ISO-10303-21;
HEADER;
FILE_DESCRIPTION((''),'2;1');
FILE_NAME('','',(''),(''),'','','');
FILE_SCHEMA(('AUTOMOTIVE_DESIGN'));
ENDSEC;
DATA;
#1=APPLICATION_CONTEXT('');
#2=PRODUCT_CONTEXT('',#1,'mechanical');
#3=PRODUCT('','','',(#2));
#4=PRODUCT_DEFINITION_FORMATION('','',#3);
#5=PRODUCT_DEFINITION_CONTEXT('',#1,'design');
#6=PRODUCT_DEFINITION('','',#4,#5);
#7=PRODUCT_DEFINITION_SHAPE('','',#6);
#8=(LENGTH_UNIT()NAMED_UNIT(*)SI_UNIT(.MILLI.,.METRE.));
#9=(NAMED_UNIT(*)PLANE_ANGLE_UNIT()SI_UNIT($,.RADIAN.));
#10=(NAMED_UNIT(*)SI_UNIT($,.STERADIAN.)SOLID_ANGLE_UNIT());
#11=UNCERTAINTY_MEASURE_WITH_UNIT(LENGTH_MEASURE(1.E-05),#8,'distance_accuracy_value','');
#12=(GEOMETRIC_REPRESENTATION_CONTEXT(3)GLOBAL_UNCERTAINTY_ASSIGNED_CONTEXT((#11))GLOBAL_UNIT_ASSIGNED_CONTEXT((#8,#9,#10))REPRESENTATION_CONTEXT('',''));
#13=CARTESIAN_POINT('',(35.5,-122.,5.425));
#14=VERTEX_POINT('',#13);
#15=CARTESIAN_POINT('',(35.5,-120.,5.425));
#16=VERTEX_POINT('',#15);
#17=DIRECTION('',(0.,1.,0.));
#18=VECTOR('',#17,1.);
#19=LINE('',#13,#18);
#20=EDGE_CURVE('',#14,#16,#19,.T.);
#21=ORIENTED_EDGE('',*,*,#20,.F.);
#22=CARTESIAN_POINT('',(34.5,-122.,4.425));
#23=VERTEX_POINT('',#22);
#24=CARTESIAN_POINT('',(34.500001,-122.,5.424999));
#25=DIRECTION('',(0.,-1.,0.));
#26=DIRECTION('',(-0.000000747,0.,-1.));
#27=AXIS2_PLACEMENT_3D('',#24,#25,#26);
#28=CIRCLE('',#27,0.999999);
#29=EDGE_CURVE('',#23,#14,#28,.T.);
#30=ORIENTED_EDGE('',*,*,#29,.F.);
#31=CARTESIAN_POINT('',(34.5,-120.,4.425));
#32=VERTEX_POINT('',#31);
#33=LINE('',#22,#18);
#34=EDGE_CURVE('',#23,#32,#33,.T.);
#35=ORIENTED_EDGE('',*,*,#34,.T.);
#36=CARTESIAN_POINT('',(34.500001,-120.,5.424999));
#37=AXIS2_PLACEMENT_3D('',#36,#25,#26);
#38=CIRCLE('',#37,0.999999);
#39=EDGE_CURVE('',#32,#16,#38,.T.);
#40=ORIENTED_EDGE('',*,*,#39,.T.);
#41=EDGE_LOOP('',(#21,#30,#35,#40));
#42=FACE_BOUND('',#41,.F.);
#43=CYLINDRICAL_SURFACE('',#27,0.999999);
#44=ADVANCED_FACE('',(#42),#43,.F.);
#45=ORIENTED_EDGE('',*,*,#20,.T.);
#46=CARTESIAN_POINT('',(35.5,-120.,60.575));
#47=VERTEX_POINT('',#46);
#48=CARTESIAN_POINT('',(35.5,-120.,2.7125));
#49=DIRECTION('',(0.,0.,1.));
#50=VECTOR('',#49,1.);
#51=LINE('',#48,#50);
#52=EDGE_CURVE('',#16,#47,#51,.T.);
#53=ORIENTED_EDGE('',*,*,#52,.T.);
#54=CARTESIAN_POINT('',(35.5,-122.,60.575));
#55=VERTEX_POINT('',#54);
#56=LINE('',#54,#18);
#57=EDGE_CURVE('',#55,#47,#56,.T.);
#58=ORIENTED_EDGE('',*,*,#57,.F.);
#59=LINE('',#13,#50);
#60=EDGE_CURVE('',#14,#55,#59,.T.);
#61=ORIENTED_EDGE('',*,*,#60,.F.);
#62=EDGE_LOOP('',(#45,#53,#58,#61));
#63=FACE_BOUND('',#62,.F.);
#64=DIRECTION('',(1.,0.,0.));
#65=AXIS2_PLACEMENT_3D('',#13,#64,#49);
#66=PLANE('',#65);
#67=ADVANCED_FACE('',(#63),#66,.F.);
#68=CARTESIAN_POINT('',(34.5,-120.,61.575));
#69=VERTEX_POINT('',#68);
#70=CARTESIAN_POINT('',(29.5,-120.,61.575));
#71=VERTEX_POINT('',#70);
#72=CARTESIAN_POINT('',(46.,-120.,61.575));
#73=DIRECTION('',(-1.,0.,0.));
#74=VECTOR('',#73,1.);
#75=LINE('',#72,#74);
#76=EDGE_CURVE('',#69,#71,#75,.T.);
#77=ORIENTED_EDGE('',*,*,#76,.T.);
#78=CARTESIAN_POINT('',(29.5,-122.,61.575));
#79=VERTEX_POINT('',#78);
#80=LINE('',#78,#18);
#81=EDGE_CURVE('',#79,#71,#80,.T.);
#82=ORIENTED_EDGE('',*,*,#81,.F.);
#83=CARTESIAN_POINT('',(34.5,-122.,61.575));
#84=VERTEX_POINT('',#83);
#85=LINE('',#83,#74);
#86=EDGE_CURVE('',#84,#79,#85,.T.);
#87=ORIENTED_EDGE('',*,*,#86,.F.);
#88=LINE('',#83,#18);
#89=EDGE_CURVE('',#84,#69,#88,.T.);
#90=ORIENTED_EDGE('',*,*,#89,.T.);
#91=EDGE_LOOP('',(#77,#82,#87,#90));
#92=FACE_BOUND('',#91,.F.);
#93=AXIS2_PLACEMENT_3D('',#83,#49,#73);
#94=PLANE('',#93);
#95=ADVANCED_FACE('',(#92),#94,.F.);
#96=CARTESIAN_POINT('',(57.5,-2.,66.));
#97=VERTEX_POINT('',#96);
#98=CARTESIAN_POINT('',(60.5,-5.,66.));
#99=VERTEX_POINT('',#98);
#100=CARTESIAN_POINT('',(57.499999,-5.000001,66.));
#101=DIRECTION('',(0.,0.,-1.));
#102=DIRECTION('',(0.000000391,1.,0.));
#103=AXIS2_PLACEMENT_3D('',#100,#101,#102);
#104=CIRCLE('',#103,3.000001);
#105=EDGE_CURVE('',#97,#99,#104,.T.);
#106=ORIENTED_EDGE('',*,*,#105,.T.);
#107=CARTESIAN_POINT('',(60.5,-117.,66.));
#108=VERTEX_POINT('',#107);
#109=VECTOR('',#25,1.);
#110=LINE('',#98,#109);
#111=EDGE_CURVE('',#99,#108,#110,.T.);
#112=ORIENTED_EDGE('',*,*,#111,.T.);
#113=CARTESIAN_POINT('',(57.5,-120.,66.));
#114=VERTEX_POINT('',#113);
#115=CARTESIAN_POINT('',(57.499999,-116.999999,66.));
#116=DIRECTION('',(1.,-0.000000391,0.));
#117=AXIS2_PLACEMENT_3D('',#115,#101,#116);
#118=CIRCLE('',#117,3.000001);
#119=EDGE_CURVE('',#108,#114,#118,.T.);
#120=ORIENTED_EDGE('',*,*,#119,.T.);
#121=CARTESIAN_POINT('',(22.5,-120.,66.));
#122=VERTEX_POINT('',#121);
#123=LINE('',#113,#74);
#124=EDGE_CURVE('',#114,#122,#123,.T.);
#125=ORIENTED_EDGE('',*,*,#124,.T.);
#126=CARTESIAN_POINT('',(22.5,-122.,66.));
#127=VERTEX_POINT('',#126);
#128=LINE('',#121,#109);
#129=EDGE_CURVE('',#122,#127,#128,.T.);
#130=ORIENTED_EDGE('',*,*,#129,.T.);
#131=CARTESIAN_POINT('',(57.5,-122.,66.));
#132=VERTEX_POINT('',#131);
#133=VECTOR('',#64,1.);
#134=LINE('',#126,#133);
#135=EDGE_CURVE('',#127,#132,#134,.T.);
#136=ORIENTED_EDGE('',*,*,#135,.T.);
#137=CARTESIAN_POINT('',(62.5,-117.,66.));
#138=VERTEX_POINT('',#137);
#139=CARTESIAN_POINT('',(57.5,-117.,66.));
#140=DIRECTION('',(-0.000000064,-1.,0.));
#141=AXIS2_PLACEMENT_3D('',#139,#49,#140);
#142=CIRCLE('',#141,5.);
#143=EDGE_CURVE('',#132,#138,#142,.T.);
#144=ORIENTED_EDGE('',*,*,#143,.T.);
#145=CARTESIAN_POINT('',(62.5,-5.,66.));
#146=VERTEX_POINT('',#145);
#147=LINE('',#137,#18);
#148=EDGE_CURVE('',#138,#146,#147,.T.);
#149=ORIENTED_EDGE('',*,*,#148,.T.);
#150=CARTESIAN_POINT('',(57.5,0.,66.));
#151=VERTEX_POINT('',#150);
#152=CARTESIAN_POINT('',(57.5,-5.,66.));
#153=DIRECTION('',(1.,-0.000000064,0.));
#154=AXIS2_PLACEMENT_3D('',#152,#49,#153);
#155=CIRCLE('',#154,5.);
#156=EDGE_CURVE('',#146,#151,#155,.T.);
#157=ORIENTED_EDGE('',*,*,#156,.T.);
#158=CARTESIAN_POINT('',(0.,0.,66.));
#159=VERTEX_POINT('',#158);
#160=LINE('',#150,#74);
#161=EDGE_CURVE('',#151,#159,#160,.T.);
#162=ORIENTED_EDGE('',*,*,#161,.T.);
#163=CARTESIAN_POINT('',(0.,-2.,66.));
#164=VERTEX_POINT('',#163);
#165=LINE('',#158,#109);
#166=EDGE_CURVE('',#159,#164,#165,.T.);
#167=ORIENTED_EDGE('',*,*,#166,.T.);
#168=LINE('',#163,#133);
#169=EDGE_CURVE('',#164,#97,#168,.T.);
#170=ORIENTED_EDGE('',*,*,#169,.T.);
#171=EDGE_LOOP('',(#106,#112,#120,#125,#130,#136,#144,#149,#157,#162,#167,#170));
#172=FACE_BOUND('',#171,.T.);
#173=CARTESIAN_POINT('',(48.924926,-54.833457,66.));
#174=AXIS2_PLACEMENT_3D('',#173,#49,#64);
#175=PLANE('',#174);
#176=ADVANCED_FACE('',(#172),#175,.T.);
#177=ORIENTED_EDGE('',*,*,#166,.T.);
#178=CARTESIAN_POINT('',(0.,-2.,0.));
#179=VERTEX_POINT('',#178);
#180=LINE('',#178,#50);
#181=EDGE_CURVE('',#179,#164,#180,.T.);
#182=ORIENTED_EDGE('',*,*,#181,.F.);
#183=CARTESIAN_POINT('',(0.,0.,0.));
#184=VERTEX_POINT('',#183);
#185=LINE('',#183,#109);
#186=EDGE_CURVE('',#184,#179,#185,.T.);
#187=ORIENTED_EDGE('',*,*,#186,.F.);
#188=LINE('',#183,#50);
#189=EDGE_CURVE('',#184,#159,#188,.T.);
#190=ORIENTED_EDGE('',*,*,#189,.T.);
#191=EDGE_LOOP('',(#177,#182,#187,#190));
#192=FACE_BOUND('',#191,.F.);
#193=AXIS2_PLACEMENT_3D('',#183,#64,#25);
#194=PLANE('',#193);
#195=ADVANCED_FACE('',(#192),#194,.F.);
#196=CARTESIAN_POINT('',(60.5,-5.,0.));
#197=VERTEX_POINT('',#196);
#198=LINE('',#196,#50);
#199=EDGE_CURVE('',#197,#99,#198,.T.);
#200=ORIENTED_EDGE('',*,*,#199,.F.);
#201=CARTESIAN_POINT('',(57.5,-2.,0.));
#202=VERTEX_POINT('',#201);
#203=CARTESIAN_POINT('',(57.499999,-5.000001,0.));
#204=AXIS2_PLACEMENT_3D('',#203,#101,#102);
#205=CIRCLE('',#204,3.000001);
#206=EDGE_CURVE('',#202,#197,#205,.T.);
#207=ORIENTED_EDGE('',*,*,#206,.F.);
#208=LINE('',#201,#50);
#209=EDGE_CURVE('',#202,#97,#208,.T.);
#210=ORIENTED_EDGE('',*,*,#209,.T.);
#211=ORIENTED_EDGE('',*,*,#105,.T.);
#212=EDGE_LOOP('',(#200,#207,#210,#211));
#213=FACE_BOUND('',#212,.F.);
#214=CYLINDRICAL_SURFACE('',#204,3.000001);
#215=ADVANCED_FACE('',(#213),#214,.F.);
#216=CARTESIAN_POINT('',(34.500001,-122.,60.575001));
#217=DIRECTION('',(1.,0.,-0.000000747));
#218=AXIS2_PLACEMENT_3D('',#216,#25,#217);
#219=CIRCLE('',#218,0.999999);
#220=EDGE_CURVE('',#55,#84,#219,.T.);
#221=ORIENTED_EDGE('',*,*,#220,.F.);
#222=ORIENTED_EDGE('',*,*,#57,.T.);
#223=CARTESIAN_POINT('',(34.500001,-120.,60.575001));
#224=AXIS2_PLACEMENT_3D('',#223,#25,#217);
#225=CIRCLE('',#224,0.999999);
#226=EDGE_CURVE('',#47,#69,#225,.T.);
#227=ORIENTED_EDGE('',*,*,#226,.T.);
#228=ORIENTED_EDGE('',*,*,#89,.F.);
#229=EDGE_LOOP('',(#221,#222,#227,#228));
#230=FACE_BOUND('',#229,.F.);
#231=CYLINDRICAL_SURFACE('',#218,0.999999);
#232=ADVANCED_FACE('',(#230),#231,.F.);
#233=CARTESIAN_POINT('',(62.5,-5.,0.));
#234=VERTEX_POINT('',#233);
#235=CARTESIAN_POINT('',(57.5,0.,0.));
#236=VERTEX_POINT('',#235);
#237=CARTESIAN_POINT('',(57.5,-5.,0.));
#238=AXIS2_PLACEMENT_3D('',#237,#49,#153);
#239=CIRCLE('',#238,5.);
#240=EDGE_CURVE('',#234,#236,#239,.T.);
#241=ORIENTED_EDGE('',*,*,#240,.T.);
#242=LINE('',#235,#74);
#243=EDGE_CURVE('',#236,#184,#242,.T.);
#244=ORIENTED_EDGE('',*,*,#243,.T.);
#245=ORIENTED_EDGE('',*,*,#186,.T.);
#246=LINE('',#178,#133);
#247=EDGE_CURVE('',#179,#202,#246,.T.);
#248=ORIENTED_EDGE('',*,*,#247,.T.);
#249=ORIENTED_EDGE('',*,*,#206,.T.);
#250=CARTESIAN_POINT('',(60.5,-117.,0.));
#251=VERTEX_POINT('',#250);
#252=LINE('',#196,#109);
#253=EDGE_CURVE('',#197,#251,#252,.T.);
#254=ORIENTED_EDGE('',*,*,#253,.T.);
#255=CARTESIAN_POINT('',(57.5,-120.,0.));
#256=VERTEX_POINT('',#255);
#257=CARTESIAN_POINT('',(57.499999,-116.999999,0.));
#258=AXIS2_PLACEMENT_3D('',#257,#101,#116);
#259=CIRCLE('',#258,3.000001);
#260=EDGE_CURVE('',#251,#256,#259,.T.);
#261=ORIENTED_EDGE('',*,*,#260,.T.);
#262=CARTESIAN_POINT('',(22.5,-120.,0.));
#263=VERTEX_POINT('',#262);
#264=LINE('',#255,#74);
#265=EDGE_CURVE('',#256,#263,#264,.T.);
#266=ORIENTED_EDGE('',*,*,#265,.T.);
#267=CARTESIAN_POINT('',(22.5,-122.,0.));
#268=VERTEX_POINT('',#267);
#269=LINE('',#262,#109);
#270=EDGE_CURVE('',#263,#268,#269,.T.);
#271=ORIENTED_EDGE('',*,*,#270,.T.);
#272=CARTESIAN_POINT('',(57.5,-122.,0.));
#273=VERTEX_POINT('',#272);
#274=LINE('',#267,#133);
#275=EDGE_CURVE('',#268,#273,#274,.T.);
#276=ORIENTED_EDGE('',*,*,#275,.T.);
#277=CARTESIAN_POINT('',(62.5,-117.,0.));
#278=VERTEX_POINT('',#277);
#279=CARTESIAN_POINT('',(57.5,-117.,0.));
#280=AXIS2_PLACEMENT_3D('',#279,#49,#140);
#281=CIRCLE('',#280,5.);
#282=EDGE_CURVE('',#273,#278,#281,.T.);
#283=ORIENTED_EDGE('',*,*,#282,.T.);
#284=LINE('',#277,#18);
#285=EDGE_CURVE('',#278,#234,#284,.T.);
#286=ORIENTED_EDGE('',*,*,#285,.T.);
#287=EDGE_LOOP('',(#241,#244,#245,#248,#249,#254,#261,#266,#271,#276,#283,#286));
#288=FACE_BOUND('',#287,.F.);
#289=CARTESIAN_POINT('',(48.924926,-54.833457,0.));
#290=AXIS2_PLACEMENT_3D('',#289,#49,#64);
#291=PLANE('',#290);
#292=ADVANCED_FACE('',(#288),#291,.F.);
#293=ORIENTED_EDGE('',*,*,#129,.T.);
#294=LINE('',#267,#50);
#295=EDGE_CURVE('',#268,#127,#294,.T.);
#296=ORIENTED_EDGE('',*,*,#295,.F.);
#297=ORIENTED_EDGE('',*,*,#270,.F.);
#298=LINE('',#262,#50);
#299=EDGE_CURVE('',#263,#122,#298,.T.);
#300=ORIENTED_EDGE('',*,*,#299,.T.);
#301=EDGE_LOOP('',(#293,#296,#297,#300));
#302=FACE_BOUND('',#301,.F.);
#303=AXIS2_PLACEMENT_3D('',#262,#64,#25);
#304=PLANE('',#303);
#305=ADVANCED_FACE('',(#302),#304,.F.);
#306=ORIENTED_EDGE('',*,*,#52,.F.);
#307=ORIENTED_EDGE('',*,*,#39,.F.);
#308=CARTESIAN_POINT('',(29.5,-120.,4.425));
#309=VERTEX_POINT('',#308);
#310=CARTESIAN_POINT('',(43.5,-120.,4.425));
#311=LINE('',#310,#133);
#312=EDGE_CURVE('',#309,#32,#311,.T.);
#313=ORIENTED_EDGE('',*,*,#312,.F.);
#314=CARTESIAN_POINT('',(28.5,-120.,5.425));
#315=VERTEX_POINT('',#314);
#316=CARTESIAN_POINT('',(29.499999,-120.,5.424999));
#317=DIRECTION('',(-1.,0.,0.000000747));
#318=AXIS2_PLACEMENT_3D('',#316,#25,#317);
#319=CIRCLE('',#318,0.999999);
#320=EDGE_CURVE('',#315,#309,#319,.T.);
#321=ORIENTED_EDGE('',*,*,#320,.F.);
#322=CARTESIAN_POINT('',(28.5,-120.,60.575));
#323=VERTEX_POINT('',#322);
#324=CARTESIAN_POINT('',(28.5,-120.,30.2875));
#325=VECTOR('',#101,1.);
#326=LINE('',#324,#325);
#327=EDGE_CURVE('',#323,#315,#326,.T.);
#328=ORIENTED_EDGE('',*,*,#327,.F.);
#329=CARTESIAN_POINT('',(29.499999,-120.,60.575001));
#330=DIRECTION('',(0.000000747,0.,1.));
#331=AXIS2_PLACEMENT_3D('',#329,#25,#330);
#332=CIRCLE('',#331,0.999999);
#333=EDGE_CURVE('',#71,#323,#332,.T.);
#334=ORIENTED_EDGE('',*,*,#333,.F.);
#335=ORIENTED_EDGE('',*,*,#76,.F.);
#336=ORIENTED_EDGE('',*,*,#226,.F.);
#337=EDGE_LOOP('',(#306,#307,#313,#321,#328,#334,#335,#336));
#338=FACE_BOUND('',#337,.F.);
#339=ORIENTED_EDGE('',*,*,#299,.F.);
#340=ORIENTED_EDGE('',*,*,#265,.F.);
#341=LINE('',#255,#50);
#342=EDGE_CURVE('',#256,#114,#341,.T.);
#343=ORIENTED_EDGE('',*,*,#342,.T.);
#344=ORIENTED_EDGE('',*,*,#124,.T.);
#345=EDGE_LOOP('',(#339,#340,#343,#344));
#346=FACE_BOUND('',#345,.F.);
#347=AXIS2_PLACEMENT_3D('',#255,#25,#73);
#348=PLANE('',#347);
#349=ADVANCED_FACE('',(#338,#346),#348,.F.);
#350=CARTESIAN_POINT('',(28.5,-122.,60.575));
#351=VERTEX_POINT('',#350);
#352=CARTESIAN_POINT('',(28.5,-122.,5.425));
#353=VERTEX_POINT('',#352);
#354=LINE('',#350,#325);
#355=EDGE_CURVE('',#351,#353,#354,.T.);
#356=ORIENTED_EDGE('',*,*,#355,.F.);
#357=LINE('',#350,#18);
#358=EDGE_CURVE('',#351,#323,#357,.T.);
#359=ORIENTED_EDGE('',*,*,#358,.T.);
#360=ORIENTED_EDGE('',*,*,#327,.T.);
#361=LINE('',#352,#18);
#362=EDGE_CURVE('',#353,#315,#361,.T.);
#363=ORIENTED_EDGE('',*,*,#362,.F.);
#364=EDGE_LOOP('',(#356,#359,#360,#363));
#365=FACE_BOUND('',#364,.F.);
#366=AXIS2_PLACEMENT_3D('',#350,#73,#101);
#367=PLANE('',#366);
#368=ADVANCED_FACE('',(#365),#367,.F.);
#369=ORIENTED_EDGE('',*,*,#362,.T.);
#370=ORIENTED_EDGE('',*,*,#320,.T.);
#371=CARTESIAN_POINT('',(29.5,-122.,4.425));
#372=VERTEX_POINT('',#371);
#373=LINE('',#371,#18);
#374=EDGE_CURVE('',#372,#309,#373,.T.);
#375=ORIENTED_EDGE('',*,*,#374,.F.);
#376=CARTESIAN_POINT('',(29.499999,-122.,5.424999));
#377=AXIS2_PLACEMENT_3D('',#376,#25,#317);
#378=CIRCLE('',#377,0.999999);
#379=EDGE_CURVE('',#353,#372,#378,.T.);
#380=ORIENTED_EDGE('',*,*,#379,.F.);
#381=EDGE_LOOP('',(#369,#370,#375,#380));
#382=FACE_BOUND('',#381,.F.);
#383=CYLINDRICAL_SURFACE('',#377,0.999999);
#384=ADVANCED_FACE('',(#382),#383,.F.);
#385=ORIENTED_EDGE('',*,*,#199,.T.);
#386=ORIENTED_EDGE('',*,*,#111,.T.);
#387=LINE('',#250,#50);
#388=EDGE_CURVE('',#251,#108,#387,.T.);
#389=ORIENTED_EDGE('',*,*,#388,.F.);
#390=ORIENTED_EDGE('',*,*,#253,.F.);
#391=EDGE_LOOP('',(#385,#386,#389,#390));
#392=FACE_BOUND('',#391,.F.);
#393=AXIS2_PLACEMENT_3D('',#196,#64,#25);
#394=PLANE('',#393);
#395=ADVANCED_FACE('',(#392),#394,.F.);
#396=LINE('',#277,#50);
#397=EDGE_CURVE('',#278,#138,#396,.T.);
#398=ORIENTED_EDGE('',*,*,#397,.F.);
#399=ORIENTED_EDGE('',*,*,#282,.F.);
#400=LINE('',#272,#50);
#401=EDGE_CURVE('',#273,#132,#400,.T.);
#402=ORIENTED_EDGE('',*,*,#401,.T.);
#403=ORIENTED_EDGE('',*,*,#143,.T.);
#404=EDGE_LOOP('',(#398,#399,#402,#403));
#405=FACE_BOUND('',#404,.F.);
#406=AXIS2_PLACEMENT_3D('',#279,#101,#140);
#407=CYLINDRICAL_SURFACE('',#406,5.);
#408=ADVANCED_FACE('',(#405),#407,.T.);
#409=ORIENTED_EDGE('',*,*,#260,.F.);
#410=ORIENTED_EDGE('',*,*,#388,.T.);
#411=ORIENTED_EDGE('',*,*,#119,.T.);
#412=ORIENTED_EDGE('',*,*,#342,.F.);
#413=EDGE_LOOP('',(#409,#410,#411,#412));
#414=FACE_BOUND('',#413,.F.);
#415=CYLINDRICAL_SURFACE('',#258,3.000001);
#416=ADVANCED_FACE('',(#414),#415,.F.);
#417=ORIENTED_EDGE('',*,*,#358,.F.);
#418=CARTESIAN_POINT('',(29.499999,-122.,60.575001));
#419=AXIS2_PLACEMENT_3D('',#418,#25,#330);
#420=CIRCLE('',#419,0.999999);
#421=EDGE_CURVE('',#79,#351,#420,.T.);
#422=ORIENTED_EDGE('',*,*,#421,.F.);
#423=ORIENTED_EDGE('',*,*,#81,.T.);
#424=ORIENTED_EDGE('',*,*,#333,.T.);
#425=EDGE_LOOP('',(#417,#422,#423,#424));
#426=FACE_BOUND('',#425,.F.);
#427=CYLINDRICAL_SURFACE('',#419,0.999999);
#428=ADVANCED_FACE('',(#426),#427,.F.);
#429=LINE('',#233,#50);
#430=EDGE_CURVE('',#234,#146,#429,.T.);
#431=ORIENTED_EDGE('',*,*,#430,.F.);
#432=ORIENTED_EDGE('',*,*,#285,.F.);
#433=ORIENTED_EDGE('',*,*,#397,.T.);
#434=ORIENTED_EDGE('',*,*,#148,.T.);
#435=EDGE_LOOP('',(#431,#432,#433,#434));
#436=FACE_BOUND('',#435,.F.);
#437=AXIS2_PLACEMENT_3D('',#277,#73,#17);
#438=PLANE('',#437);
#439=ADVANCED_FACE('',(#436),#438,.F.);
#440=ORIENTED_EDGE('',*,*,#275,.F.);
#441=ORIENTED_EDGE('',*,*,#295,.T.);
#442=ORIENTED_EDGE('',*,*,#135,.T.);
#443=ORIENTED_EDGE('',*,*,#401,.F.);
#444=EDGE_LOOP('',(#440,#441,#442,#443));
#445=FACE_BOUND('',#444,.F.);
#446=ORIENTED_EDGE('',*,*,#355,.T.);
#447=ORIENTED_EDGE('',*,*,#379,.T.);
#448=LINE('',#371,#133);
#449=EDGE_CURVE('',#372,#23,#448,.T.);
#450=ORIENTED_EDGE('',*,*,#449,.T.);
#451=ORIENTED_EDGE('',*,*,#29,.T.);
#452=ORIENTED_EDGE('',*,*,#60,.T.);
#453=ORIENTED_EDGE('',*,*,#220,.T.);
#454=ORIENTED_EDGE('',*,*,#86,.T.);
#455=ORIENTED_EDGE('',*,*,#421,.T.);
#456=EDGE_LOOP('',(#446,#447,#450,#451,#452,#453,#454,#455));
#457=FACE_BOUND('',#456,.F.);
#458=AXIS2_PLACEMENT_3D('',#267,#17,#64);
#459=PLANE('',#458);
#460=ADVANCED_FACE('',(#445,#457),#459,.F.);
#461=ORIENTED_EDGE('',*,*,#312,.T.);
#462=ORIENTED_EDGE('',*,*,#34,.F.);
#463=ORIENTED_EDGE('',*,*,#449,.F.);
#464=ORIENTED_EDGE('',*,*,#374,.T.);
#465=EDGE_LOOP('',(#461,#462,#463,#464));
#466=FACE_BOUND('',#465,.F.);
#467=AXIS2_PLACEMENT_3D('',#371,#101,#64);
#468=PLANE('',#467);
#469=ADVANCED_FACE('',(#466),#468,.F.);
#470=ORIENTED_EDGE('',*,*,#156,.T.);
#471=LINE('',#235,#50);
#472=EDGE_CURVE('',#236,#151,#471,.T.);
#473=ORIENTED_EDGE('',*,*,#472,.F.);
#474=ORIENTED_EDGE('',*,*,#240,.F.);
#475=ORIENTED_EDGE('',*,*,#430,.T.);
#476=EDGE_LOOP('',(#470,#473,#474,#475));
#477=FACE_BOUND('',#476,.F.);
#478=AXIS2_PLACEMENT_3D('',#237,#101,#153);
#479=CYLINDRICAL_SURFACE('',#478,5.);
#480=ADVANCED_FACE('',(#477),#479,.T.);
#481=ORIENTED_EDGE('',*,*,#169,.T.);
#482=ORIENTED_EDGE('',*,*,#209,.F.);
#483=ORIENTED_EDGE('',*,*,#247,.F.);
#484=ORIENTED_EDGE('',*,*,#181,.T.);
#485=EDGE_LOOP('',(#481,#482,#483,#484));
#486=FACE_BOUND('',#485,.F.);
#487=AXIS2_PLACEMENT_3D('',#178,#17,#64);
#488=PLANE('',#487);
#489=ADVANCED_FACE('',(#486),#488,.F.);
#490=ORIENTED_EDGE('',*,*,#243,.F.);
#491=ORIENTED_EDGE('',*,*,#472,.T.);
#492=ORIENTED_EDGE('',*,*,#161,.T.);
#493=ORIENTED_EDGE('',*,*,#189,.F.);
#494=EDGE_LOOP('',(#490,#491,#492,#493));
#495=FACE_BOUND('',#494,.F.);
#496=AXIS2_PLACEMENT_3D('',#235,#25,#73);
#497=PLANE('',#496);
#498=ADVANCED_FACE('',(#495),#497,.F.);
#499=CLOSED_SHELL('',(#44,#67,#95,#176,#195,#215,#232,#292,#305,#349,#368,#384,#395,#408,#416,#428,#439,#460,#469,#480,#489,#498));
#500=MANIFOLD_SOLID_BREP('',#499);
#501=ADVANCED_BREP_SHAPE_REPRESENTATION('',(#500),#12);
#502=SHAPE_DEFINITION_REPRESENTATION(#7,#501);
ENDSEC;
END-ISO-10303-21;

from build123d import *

# Parameters (mm, degrees)
F1_DEPTH = 66
F3_DEPTH = 25


with BuildPart() as f1:
    # F0 (on Top) → F1 (new body)
    with BuildSketch(Plane.XY):
        with BuildLine():
            Line((57.5, 0), (0, 0))
            Line((0, 0), (0, -2))
            Line((0, -2), (57.5, -2))
            ThreePointArc((57.5, -2), (59.62132, -2.87868), (60.5, -5))
            Line((60.5, -5), (60.5, -117))
            ThreePointArc((60.5, -117), (59.62132, -119.12132), (57.5, -120))
            Line((57.5, -120), (22.5, -120))
            Line((22.5, -120), (22.5, -122))
            Line((22.5, -122), (57.5, -122))
            ThreePointArc((57.5, -122), (61.035534, -120.535534), (62.5, -117))
            Line((62.5, -117), (62.5, -5))
            ThreePointArc((62.5, -5), (61.035534, -1.464466), (57.5, 0))
        make_face()
    extrude(amount=F1_DEPTH)

    # F2 (on face) → F3 (cut)
    with BuildSketch(Plane.XZ.offset(122)):
        with BuildLine():
            Line((34.5, 61.575), (29.5, 61.575))
            ThreePointArc((29.5, 61.575), (28.792893, 61.282107), (28.5, 60.575))
            Line((28.5, 60.575), (28.5, 5.425))
            ThreePointArc((28.5, 5.425), (28.792893, 4.717893), (29.5, 4.425))
            Line((29.5, 4.425), (34.5, 4.425))
            ThreePointArc((34.5, 4.425), (35.207107, 4.717893), (35.5, 5.425))
            Line((35.5, 5.425), (35.5, 60.575))
            ThreePointArc((35.5, 60.575), (35.207107, 61.282107), (34.5, 61.575))
        make_face()
    extrude(amount=-F3_DEPTH, mode=Mode.SUBTRACT)


solid = f1.part
